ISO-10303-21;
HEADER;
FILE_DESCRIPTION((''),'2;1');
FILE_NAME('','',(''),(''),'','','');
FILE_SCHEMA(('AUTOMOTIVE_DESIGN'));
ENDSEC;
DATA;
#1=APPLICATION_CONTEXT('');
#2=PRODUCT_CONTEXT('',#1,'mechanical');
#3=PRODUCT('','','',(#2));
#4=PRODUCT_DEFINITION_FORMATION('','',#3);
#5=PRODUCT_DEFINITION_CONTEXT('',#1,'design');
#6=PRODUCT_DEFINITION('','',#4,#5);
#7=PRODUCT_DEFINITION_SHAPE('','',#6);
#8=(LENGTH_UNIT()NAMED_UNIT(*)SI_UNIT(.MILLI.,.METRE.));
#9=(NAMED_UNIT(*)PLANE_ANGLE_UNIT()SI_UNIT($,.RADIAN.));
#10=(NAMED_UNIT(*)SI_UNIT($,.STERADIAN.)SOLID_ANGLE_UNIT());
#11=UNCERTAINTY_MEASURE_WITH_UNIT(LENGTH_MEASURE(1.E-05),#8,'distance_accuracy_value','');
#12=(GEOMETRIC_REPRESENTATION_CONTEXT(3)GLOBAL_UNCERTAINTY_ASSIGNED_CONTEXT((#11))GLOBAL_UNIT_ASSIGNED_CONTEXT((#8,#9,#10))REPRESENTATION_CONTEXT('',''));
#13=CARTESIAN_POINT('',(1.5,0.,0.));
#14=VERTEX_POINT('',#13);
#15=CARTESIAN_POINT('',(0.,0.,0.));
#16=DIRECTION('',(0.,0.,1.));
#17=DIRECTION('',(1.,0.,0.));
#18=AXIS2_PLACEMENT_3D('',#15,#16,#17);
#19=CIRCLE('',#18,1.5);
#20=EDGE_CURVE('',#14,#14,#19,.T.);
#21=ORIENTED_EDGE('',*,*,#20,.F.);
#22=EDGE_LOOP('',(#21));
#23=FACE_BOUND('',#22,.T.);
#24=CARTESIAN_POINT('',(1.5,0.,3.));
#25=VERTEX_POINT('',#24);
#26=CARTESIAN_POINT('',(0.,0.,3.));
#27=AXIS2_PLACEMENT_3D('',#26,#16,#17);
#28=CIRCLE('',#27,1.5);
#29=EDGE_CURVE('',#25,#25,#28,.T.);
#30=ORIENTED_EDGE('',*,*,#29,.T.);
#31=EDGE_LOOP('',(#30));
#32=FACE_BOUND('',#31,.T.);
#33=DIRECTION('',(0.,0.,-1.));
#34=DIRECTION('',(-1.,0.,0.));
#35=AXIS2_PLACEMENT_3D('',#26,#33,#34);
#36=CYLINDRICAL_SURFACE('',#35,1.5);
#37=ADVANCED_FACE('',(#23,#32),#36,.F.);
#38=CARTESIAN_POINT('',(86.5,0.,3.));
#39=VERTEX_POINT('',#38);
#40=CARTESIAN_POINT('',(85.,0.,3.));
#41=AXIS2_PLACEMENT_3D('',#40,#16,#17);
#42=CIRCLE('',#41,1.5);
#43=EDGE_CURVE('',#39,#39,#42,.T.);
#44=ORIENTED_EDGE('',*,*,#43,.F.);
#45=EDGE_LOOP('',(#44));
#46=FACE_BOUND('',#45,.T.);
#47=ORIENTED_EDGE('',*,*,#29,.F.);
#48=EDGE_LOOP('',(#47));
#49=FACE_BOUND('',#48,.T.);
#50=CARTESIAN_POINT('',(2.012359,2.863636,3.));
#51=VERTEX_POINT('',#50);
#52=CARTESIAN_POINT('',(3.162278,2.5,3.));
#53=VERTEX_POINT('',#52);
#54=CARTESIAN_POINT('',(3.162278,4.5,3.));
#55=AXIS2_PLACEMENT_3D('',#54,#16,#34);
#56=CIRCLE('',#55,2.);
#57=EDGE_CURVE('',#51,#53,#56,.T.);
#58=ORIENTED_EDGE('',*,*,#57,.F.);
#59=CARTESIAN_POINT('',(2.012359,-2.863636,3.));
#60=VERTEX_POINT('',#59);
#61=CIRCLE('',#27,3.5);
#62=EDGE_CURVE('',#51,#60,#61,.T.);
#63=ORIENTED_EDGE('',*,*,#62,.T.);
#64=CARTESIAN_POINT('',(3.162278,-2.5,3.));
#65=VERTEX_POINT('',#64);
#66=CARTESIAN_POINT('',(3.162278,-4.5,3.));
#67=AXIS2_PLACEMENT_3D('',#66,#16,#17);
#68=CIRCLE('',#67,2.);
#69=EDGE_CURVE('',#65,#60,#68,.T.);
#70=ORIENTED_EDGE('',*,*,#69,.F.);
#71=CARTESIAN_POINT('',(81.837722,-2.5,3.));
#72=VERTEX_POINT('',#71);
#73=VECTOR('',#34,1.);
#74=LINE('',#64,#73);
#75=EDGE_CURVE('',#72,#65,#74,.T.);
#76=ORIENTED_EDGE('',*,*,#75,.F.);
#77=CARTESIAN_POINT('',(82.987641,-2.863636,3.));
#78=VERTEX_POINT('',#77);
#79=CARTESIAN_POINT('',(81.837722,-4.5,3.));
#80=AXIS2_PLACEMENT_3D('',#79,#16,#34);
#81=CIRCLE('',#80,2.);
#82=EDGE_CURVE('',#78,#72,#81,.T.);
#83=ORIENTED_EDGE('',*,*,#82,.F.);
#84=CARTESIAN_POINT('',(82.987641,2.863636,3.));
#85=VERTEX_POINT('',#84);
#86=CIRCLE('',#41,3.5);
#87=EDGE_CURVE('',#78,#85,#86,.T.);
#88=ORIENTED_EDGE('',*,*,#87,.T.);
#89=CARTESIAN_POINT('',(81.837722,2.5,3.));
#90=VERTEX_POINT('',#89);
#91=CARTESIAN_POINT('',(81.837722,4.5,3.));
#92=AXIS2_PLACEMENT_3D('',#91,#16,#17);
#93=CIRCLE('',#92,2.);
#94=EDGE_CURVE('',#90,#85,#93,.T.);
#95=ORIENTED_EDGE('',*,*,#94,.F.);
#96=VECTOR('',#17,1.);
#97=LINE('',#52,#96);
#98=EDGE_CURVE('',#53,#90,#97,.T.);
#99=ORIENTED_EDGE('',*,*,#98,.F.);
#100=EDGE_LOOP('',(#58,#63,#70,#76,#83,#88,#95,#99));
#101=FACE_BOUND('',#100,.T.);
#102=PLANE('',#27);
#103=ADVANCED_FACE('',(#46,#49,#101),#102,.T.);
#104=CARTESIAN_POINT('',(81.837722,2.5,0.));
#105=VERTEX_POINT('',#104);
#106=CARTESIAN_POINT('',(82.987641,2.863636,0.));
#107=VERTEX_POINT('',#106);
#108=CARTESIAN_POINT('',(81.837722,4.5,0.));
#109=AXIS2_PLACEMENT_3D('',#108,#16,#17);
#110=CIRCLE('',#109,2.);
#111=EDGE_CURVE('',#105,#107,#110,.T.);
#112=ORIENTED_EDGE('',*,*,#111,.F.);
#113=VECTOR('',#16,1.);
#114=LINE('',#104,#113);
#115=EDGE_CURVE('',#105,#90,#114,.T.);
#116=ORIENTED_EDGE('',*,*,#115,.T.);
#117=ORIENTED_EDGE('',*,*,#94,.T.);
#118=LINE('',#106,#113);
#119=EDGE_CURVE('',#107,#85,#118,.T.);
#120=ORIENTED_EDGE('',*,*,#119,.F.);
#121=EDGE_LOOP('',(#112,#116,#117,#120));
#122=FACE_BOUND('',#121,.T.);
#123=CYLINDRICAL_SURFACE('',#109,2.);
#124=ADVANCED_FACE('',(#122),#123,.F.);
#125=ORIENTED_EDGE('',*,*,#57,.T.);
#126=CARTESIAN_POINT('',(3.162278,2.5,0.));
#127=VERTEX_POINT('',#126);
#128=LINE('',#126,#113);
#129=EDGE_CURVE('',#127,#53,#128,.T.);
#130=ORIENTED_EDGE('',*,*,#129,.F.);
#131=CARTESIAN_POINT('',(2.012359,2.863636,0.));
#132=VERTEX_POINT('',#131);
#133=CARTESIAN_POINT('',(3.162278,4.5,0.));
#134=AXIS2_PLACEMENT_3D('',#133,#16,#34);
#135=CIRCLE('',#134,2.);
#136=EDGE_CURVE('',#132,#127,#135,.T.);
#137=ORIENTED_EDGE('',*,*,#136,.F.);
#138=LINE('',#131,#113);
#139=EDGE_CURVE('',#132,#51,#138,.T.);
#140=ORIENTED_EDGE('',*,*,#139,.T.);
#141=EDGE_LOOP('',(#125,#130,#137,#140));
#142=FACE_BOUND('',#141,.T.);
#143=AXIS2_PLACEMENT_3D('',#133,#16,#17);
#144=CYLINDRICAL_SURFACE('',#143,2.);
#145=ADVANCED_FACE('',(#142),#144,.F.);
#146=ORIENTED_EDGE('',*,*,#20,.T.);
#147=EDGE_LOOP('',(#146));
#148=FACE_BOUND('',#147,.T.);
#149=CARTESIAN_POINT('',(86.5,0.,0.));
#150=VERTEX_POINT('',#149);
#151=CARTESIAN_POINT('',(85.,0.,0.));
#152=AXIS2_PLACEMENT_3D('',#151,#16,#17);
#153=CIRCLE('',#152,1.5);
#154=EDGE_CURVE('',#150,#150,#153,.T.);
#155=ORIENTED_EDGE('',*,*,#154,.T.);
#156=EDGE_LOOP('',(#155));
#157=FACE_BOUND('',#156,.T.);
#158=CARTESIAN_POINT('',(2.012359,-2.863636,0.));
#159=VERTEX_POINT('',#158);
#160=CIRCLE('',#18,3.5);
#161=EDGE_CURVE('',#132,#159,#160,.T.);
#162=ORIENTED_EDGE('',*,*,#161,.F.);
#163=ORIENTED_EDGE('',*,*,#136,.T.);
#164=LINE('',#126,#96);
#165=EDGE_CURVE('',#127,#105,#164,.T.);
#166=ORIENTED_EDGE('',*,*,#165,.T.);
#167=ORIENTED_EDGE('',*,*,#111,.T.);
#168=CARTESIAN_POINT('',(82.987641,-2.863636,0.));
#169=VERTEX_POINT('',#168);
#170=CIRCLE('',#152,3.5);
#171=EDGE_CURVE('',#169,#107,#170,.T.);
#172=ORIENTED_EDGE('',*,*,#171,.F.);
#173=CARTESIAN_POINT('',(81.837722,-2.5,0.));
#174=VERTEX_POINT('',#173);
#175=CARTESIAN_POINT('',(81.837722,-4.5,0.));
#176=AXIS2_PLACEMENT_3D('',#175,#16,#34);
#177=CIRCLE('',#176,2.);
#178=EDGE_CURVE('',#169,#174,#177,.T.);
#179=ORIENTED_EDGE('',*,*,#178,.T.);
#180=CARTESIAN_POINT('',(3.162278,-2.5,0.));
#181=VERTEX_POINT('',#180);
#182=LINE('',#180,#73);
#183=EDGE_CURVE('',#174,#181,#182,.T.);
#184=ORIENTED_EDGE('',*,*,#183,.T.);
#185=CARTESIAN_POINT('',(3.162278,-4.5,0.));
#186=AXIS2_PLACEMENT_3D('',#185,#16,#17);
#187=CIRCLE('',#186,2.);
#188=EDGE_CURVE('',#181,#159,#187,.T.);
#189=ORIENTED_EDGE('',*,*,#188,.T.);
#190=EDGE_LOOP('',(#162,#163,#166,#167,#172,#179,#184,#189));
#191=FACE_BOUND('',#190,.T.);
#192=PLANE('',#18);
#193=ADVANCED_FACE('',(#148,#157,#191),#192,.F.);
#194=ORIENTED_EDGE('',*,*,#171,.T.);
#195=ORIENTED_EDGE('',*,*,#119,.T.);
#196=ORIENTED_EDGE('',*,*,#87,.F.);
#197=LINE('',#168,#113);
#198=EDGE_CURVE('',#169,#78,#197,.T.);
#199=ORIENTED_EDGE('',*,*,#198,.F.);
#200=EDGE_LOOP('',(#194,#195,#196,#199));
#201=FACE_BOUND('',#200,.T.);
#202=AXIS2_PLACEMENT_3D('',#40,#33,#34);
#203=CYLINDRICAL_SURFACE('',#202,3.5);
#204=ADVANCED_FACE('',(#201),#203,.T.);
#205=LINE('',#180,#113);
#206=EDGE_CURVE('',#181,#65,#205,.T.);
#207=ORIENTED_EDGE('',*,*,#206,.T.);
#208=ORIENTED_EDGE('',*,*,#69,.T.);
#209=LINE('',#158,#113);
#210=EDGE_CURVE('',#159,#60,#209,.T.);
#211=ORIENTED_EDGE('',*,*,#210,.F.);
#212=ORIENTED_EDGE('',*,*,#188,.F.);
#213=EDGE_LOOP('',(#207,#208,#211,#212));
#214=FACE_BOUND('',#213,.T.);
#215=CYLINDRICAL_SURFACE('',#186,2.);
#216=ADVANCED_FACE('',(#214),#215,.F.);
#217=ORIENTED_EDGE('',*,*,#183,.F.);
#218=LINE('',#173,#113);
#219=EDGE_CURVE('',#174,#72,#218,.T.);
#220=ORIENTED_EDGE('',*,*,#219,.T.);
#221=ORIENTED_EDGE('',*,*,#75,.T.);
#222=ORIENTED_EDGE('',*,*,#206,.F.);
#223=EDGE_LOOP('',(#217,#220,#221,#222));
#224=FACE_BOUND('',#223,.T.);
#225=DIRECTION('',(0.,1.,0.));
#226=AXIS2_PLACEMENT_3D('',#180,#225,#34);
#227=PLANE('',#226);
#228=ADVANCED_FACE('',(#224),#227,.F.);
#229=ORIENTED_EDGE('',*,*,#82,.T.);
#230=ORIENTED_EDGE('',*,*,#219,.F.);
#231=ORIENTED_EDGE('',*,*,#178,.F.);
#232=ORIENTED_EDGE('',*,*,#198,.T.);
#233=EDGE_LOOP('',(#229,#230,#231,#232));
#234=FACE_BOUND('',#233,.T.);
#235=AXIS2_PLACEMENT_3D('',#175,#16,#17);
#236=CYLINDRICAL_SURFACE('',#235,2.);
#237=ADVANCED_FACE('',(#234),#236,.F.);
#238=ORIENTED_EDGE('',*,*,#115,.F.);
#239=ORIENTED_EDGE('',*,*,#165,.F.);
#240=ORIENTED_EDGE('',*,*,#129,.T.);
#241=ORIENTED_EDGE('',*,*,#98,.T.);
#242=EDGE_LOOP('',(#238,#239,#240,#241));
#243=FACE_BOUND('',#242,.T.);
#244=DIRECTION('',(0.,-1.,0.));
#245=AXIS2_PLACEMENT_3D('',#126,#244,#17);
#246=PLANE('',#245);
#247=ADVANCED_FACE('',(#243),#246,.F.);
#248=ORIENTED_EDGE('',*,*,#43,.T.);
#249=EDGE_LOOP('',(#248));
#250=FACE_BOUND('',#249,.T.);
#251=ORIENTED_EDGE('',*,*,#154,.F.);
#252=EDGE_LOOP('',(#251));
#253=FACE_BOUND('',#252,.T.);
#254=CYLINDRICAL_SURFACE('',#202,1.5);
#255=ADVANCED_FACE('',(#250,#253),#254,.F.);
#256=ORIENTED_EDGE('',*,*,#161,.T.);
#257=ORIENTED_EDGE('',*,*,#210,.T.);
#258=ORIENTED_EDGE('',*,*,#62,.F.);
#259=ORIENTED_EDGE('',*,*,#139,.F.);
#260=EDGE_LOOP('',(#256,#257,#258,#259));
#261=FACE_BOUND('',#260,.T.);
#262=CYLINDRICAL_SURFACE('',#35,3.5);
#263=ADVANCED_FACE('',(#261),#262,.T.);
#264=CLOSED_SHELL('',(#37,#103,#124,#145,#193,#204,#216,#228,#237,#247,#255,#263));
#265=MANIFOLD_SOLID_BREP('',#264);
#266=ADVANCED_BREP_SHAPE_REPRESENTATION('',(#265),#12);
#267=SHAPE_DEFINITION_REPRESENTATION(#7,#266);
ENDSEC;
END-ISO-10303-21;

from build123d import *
from build123d.topology import SkipClean

# Parameters (mm, degrees)
SKETCH_1_R          = 1.5
EXTRUDE_1_DEPTH     = 3
CUT_EXTRUDE_1_DEPTH = 89.619975175


with BuildPart() as part:
    # 草图1 → 凸台-拉伸1 (new body)
    with BuildSketch(Plane.XY):
        with BuildLine():
            Line((0, 3.5), (85, 3.5))
            ThreePointArc((85, 3.5), (88.5, 0), (85, -3.5))
            Line((85, -3.5), (0, -3.5))
            ThreePointArc((0, -3.5), (-3.5, 0), (0, 3.5))
        make_face()
        Circle(SKETCH_1_R, mode=Mode.SUBTRACT)
        with Locations((85, 0)):
            Circle(SKETCH_1_R, mode=Mode.SUBTRACT)
    extrude(amount=EXTRUDE_1_DEPTH)

    # 草图2 → 切除-拉伸1 (cut, through all)
    with SkipClean():  # the faces are left unmerged after this step: merging them gives an invalid solid
        with BuildSketch(Plane.XY.offset(3)):
            with BuildLine():
                Line((3.16227766, 2.5), (81.83772234, 2.5))
                ThreePointArc((81.83772234, 2.5), (82.440745029, 2.593074822), (82.987641489, 2.863636364))
                ThreePointArc((82.987641489, 2.863636364), (83.944710294, 3.337119062), (85, 3.5))
                Line((85, 3.5), (0, 3.5))
                ThreePointArc((0, 3.5), (1.055289706, 3.337119062), (2.012358511, 2.863636364))
                ThreePointArc((2.012358511, 2.863636364), (2.559254971, 2.593074822), (3.16227766, 2.5))
            make_face()
            with BuildLine():
                Line((3.16227766, -2.5), (81.83772234, -2.5))
                ThreePointArc((81.83772234, -2.5), (82.440745029, -2.593074822), (82.987641489, -2.863636364))
                ThreePointArc((82.987641489, -2.863636364), (83.944710294, -3.337119062), (85, -3.5))
                Line((85, -3.5), (0, -3.5))
                ThreePointArc((0, -3.5), (1.055289706, -3.337119062), (2.012358511, -2.863636364))
                ThreePointArc((2.012358511, -2.863636364), (2.559254971, -2.593074822), (3.16227766, -2.5))
            make_face()
        extrude(amount=-CUT_EXTRUDE_1_DEPTH, mode=Mode.SUBTRACT)


solid = part.part
